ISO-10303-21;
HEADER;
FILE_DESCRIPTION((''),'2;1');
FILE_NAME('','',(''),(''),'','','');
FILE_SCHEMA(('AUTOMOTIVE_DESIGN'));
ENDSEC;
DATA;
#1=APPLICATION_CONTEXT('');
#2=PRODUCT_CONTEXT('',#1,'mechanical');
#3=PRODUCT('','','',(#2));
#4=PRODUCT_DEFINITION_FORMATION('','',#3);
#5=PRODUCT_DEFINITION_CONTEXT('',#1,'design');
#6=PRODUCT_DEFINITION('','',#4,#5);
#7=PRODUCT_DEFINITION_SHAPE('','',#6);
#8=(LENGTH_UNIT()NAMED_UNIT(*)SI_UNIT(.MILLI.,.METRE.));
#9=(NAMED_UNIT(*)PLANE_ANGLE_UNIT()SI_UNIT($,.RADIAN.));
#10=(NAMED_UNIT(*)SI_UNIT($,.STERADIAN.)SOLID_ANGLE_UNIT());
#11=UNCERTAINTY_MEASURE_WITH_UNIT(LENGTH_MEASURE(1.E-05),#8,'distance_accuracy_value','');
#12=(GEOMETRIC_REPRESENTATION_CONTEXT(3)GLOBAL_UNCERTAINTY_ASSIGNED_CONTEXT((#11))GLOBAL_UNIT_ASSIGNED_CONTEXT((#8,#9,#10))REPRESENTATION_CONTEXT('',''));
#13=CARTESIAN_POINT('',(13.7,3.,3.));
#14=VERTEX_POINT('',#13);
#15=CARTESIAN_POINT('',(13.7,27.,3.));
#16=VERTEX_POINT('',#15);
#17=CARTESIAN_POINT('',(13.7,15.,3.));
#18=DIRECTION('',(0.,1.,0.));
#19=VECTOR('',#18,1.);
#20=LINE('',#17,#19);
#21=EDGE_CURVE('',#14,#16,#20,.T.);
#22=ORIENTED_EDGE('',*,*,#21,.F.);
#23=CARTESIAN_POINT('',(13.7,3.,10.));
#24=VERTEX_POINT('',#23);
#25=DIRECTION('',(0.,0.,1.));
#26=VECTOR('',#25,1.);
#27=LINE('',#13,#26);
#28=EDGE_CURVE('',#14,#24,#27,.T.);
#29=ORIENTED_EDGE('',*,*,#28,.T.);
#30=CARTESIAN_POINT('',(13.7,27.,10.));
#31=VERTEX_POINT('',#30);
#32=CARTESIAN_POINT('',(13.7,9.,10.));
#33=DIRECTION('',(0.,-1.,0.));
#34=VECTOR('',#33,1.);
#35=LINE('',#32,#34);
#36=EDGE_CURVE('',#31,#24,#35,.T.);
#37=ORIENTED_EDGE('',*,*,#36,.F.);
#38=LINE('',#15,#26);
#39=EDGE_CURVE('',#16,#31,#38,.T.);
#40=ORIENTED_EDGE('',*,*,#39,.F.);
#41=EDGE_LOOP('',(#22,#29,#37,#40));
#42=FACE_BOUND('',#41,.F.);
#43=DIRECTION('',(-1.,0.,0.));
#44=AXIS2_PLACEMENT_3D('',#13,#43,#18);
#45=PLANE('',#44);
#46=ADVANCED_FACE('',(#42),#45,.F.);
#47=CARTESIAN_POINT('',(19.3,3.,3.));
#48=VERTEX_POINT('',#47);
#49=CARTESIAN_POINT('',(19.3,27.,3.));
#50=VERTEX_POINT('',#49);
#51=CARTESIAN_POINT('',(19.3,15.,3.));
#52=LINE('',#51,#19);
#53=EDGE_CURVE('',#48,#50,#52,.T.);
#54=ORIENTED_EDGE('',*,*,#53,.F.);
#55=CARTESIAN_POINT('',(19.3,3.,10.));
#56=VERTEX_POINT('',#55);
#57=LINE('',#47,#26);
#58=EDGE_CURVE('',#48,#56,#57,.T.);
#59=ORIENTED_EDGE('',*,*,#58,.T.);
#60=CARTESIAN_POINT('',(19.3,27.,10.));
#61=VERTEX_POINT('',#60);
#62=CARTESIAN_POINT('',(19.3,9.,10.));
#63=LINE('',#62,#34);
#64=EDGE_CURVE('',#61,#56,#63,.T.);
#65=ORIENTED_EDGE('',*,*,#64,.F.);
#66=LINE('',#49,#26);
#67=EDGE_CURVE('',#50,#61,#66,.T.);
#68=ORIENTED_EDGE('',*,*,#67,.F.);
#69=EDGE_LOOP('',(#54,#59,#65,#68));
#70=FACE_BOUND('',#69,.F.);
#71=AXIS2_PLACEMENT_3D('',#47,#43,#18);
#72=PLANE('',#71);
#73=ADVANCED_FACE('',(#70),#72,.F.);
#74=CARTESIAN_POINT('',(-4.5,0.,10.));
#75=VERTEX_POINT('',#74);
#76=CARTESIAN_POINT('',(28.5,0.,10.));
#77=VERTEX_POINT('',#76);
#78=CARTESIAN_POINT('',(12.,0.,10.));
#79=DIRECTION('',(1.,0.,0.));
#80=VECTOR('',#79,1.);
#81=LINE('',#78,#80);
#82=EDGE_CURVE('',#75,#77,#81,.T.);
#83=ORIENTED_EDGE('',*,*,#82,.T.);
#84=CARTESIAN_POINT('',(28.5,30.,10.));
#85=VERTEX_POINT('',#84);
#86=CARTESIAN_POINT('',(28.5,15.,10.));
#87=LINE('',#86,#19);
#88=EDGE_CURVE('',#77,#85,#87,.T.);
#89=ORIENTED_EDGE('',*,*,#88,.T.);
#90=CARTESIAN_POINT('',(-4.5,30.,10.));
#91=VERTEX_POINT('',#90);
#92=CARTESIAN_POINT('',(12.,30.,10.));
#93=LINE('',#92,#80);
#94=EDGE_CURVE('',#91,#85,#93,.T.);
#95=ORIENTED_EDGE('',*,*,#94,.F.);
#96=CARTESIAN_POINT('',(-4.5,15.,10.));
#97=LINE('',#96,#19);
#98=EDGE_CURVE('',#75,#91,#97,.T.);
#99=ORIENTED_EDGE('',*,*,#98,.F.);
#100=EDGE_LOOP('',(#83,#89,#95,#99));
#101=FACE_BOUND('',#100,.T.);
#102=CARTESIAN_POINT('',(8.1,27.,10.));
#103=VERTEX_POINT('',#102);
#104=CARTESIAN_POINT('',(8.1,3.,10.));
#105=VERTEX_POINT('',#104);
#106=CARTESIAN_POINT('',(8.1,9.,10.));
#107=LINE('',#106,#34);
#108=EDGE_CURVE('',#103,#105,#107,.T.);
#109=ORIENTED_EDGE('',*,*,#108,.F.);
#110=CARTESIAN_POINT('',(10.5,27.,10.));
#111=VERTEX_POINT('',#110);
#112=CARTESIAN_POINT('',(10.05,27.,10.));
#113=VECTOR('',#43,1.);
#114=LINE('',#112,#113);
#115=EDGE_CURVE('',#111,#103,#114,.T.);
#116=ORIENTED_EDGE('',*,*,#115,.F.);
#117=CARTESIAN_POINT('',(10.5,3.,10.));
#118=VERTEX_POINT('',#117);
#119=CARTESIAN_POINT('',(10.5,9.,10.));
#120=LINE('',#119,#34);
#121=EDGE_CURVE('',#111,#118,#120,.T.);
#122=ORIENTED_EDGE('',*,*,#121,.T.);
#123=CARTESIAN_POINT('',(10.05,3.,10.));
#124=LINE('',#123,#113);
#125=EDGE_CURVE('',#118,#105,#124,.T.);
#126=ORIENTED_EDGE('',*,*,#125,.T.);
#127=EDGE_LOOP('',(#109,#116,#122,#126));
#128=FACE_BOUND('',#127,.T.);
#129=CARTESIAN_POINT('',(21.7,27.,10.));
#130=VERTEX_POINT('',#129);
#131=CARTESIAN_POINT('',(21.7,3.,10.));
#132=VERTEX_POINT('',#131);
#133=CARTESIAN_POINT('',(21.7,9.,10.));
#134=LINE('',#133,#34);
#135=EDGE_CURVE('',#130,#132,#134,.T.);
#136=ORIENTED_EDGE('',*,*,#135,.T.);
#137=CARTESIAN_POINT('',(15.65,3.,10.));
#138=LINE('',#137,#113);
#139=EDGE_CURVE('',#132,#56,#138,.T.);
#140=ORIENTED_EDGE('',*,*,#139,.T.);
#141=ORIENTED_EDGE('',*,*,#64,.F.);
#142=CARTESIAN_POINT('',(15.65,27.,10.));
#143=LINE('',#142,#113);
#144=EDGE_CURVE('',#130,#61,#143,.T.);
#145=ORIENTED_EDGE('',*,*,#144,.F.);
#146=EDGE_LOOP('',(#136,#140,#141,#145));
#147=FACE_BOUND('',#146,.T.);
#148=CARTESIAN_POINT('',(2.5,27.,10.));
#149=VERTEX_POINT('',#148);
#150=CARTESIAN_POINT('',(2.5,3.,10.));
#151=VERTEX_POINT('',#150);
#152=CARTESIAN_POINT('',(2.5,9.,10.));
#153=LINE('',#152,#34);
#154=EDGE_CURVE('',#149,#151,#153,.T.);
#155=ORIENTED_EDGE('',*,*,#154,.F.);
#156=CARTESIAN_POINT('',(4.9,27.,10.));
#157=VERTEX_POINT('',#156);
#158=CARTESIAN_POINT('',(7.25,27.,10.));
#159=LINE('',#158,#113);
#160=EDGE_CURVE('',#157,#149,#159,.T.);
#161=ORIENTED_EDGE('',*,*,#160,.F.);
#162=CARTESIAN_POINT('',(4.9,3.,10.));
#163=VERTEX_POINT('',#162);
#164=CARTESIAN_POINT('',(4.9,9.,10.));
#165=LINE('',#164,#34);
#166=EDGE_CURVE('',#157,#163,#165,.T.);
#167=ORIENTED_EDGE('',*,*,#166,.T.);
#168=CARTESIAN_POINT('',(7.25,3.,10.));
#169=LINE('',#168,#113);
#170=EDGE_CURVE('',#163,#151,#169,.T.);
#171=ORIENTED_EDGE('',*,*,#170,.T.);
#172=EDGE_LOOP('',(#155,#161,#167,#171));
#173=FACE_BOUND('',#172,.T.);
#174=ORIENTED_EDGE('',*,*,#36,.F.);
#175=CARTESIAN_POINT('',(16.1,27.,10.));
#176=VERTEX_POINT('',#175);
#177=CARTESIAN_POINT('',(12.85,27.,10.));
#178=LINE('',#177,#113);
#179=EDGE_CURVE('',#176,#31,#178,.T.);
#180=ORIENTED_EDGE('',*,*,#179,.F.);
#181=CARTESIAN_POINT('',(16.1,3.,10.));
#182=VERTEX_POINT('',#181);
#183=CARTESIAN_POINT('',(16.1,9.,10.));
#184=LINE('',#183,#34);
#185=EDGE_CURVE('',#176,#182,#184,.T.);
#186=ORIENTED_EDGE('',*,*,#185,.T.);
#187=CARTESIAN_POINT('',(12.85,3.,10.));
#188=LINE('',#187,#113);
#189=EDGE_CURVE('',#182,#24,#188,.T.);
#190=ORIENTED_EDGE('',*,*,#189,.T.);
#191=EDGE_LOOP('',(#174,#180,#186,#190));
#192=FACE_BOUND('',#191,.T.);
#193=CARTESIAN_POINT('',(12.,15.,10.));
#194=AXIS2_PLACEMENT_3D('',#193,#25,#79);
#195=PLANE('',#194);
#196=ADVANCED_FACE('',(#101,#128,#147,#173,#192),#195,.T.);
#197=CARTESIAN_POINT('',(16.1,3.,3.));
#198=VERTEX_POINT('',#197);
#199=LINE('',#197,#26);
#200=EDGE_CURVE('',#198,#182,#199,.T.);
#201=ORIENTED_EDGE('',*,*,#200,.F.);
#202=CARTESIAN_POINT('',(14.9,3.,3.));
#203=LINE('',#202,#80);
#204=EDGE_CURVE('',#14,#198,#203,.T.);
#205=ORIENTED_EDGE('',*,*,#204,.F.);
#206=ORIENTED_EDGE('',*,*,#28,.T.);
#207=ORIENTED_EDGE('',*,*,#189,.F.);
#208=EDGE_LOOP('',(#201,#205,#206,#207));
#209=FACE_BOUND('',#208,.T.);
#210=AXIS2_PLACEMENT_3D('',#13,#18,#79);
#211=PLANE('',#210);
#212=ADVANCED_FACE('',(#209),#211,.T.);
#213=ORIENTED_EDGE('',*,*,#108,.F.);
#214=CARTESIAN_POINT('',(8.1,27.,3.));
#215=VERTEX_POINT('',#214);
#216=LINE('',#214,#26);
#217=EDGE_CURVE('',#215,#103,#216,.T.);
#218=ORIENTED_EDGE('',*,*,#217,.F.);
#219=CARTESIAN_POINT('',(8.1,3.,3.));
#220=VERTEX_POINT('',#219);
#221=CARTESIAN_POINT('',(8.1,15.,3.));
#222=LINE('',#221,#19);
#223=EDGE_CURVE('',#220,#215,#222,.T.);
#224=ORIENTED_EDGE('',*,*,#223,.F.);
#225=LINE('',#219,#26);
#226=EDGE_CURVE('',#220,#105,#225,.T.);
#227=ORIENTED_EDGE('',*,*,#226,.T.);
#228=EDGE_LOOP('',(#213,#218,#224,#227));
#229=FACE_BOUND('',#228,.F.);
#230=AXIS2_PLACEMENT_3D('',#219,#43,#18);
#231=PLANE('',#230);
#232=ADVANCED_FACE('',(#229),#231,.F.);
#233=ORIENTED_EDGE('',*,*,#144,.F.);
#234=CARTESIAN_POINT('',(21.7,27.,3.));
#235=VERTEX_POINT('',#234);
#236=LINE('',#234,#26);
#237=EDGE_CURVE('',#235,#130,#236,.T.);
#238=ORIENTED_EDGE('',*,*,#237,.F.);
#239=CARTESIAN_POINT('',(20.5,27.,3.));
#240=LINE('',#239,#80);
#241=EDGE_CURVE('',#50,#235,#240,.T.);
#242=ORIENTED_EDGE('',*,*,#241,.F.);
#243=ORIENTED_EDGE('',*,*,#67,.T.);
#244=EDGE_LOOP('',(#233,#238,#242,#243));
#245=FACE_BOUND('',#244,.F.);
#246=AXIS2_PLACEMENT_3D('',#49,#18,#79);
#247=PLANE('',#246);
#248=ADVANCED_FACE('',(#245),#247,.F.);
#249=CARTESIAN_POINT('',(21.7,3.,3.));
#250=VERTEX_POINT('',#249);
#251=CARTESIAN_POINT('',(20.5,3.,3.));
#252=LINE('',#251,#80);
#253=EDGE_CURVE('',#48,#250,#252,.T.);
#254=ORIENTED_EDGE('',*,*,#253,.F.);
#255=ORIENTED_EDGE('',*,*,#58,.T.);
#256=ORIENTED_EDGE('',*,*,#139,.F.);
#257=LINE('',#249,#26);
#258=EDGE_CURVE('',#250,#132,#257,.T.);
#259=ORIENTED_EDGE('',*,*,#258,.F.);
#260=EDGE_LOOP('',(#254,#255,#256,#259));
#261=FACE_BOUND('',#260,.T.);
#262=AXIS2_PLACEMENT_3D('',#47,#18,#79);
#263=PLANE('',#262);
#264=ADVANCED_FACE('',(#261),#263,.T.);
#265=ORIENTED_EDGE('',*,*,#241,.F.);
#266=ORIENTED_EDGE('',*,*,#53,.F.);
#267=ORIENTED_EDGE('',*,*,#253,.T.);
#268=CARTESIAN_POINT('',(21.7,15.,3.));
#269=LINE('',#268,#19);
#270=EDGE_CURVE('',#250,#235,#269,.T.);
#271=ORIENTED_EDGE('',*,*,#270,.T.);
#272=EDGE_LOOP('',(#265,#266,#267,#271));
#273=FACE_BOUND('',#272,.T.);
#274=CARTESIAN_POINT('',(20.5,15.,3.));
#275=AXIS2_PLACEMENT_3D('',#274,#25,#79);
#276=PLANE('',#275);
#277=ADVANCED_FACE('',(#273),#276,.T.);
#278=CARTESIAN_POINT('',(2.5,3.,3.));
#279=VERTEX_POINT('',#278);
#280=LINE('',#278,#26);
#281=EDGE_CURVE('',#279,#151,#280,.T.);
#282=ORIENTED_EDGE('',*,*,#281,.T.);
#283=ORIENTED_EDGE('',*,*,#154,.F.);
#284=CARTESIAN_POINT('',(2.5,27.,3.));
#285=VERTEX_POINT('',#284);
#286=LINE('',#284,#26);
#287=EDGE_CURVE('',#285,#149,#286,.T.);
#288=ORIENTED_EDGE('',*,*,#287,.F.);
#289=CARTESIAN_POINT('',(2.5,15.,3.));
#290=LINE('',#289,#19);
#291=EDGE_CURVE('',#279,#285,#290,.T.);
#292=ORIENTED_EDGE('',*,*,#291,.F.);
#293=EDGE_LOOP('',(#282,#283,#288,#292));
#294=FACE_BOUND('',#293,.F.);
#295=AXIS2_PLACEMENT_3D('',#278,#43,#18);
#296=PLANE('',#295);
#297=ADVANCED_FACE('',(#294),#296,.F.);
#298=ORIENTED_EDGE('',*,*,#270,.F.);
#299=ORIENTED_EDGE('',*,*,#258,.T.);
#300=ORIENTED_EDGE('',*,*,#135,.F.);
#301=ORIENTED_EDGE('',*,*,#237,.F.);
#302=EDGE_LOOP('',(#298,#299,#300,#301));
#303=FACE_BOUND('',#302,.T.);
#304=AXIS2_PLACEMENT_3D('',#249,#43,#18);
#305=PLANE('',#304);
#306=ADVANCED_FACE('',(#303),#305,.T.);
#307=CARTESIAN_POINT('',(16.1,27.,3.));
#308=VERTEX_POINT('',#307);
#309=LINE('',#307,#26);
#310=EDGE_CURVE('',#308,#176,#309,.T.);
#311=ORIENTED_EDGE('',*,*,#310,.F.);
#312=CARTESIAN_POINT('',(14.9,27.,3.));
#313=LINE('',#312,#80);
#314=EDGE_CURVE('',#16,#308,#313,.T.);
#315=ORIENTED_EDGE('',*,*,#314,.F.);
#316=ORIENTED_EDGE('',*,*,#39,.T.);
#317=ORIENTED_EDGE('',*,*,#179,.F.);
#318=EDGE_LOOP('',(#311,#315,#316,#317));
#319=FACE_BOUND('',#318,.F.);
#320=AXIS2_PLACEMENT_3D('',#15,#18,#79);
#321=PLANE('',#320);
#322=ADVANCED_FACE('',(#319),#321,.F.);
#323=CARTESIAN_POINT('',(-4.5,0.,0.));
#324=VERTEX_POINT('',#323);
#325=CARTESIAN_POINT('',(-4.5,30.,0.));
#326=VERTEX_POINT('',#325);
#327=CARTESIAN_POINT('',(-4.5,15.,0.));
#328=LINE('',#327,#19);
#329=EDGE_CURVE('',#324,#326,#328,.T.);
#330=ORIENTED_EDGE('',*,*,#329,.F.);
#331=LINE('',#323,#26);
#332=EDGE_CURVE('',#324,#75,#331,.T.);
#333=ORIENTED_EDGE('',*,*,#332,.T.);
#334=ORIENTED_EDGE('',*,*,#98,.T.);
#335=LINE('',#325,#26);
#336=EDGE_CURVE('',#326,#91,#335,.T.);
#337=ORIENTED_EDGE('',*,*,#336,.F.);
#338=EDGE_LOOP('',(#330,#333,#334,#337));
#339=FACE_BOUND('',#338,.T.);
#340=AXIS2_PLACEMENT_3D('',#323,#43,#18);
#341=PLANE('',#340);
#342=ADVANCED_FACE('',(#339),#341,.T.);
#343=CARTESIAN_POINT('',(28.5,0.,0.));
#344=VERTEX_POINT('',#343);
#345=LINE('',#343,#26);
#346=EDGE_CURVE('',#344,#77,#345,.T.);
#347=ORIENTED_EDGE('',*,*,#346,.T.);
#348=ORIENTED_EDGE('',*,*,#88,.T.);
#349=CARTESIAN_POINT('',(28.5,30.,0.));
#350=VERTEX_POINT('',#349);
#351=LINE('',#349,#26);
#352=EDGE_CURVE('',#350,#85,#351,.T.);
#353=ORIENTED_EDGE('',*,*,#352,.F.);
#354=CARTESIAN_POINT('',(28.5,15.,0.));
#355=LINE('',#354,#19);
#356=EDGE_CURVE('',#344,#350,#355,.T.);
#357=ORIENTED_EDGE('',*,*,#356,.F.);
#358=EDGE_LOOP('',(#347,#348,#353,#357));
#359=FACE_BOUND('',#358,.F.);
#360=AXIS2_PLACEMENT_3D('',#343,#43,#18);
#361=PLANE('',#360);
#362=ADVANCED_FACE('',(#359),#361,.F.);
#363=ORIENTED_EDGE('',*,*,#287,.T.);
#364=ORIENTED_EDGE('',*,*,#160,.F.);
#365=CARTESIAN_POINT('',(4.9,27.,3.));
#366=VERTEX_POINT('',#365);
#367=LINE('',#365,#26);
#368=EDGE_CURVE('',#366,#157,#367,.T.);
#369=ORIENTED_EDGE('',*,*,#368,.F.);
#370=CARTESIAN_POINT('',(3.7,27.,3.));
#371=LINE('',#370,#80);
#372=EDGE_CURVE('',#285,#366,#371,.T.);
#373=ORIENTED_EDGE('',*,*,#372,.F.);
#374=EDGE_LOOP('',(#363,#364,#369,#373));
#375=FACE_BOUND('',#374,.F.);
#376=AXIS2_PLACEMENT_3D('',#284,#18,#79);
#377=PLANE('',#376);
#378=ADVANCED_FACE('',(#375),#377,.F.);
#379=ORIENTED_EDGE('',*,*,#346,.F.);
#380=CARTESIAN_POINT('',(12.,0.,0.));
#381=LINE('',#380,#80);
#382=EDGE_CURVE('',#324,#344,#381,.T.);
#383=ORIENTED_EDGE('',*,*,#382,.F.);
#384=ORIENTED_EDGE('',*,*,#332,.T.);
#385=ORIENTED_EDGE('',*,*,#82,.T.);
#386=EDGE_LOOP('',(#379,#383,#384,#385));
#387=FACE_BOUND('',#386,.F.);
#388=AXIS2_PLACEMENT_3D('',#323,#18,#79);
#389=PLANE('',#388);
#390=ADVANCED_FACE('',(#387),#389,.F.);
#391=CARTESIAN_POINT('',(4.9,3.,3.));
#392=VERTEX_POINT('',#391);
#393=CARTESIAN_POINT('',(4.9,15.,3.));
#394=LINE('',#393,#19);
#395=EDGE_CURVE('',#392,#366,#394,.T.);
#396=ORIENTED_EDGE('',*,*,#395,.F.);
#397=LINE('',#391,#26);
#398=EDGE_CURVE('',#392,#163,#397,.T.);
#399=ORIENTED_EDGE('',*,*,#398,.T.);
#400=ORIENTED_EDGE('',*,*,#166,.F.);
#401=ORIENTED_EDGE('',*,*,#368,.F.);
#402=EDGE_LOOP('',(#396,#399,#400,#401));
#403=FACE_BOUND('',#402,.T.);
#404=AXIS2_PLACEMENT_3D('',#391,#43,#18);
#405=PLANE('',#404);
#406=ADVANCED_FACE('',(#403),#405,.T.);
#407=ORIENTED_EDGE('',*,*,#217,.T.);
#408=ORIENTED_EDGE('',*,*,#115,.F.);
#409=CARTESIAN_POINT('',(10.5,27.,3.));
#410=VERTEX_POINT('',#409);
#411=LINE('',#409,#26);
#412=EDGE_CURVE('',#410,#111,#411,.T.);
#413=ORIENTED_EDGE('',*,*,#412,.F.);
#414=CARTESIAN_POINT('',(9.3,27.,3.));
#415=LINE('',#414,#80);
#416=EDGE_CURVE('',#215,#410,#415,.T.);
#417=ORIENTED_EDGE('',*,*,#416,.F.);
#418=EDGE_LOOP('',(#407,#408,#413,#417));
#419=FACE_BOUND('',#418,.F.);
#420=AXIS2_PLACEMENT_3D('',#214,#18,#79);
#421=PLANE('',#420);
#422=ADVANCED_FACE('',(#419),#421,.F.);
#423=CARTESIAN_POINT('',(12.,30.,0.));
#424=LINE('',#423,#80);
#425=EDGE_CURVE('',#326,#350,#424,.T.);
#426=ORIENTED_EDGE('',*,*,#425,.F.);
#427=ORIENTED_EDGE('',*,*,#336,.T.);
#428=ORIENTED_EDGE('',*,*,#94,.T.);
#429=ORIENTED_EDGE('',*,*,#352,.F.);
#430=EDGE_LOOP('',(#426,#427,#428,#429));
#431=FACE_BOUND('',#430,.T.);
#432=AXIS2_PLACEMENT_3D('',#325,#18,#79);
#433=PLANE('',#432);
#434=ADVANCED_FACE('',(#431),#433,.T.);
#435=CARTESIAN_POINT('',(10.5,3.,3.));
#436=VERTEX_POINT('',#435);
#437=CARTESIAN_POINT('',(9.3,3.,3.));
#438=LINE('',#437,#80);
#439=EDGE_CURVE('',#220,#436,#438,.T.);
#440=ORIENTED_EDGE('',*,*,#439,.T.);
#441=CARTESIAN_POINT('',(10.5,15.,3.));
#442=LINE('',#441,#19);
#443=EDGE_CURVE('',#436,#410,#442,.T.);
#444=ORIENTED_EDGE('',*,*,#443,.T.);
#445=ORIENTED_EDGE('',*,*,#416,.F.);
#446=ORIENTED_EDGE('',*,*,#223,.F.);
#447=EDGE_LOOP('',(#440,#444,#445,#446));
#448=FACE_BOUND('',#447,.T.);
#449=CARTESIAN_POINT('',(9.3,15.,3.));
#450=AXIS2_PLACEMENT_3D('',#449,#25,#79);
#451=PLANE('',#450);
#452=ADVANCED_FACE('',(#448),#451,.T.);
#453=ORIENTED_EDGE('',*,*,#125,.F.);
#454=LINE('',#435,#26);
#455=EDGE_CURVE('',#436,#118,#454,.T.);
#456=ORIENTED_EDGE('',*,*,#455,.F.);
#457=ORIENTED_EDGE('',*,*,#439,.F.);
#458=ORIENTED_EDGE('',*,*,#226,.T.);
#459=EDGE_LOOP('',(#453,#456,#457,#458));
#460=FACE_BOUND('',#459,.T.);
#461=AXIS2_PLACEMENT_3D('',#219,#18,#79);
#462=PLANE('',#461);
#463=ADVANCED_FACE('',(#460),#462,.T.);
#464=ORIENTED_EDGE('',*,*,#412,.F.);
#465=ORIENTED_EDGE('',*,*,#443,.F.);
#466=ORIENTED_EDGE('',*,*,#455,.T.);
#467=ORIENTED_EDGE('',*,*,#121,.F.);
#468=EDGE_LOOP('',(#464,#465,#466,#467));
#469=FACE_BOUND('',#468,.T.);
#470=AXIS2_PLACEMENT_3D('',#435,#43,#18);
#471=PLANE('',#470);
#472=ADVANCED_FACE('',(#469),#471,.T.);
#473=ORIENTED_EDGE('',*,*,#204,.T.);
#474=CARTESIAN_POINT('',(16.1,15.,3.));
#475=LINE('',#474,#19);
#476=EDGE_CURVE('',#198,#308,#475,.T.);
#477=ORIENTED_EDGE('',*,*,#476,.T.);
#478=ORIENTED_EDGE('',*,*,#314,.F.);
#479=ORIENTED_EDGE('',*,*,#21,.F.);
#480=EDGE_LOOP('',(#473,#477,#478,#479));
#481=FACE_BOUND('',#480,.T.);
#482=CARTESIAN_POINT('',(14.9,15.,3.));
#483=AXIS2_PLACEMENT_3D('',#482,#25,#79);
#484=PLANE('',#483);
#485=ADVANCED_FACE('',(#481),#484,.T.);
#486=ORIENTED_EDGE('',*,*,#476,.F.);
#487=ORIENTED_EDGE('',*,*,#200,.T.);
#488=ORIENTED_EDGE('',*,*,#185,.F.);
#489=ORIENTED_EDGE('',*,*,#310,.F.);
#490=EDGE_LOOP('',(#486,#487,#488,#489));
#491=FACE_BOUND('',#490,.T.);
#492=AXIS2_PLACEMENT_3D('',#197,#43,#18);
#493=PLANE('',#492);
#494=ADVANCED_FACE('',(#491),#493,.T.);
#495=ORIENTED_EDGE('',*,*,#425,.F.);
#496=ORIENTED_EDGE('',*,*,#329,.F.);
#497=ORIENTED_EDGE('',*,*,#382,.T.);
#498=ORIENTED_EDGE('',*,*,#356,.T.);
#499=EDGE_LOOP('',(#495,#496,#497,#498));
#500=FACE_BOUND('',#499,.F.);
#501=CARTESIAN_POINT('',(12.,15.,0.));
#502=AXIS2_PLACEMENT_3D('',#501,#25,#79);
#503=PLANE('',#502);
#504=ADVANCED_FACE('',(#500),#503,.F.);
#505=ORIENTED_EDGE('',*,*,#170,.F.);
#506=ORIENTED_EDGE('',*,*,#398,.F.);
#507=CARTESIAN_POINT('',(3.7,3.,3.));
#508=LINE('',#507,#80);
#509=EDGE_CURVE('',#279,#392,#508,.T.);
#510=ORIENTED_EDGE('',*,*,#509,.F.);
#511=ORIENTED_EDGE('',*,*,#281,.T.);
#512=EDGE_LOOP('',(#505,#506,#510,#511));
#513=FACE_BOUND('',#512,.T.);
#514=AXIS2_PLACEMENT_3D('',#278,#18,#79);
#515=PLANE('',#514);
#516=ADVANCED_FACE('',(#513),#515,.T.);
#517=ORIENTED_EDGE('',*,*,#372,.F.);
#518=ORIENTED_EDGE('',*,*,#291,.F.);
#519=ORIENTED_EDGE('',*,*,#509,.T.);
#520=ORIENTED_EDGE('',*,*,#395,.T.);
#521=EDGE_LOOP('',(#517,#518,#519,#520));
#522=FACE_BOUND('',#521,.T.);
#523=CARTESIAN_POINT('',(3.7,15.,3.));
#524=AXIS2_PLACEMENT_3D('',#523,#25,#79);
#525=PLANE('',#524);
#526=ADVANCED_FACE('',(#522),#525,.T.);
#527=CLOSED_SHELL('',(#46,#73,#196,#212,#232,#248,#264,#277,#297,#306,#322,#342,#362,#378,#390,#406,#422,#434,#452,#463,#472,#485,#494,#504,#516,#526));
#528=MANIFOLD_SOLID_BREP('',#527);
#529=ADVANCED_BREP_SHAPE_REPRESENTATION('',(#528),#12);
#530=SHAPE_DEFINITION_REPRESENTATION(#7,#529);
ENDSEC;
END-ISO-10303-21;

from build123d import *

# Parameters (mm, degrees)
BOX001_W     = 2.4
BOX001_H     = 24
BOX001_DEPTH = 22
BOX002_W     = 2.4
BOX002_H     = 24
BOX002_DEPTH = 22
BOX003_W     = 2.4
BOX003_H     = 24
BOX003_DEPTH = 22
BOX_W        = 2.4
BOX_H        = 24
BOX_DEPTH    = 22
BOX004_W     = 33
BOX004_H     = 30
BOX004_DEPTH = 10


with BuildPart() as cube001:
    # Box001 → Box001 (new body)
    with BuildSketch(Plane(origin=(8.1, 3, 0), x_dir=(1, 0, 0), z_dir=(0, 0, 1))):
        with Locations((1.2, 12)):
            Rectangle(BOX001_W, BOX001_H)
    extrude(amount=BOX001_DEPTH)


with BuildPart() as cube002:
    # Box002 → Box002 (new body)
    with BuildSketch(Plane(origin=(13.7, 3, 0), x_dir=(1, 0, 0), z_dir=(0, 0, 1))):
        with Locations((1.2, 12)):
            Rectangle(BOX002_W, BOX002_H)
    extrude(amount=BOX002_DEPTH)


with BuildPart() as cube003:
    # Box003 → Box003 (new body)
    with BuildSketch(Plane(origin=(19.3, 3, 0), x_dir=(1, 0, 0), z_dir=(0, 0, 1))):
        with Locations((1.2, 12)):
            Rectangle(BOX003_W, BOX003_H)
    extrude(amount=BOX003_DEPTH)


with BuildPart() as fusion:
    # Box → Box (new body)
    with BuildSketch(Plane(origin=(2.5, 3, 0), x_dir=(1, 0, 0), z_dir=(0, 0, 1))):
        with Locations((1.2, 12)):
            Rectangle(BOX_W, BOX_H)
    extrude(amount=BOX_DEPTH)

    # Fusion: union Cube001, Cube002, Cube003
    add(cube001.part)
    add(cube002.part)
    add(cube003.part)


with BuildPart() as fusion_1:
    # Fusion placement: moved
    add(fusion.part.moved(Location((0, 0, 3))))


with BuildPart() as cut:
    # Box004 → Box004 (new body)
    with BuildSketch(Plane(origin=(-4.5, 0, 0), x_dir=(1, 0, 0), z_dir=(0, 0, 1))):
        with Locations((16.5, 15)):
            Rectangle(BOX004_W, BOX004_H)
    extrude(amount=BOX004_DEPTH)

    # Cut: cut Fusion
    add(fusion_1.part, mode=Mode.SUBTRACT)


solid = cut.part
